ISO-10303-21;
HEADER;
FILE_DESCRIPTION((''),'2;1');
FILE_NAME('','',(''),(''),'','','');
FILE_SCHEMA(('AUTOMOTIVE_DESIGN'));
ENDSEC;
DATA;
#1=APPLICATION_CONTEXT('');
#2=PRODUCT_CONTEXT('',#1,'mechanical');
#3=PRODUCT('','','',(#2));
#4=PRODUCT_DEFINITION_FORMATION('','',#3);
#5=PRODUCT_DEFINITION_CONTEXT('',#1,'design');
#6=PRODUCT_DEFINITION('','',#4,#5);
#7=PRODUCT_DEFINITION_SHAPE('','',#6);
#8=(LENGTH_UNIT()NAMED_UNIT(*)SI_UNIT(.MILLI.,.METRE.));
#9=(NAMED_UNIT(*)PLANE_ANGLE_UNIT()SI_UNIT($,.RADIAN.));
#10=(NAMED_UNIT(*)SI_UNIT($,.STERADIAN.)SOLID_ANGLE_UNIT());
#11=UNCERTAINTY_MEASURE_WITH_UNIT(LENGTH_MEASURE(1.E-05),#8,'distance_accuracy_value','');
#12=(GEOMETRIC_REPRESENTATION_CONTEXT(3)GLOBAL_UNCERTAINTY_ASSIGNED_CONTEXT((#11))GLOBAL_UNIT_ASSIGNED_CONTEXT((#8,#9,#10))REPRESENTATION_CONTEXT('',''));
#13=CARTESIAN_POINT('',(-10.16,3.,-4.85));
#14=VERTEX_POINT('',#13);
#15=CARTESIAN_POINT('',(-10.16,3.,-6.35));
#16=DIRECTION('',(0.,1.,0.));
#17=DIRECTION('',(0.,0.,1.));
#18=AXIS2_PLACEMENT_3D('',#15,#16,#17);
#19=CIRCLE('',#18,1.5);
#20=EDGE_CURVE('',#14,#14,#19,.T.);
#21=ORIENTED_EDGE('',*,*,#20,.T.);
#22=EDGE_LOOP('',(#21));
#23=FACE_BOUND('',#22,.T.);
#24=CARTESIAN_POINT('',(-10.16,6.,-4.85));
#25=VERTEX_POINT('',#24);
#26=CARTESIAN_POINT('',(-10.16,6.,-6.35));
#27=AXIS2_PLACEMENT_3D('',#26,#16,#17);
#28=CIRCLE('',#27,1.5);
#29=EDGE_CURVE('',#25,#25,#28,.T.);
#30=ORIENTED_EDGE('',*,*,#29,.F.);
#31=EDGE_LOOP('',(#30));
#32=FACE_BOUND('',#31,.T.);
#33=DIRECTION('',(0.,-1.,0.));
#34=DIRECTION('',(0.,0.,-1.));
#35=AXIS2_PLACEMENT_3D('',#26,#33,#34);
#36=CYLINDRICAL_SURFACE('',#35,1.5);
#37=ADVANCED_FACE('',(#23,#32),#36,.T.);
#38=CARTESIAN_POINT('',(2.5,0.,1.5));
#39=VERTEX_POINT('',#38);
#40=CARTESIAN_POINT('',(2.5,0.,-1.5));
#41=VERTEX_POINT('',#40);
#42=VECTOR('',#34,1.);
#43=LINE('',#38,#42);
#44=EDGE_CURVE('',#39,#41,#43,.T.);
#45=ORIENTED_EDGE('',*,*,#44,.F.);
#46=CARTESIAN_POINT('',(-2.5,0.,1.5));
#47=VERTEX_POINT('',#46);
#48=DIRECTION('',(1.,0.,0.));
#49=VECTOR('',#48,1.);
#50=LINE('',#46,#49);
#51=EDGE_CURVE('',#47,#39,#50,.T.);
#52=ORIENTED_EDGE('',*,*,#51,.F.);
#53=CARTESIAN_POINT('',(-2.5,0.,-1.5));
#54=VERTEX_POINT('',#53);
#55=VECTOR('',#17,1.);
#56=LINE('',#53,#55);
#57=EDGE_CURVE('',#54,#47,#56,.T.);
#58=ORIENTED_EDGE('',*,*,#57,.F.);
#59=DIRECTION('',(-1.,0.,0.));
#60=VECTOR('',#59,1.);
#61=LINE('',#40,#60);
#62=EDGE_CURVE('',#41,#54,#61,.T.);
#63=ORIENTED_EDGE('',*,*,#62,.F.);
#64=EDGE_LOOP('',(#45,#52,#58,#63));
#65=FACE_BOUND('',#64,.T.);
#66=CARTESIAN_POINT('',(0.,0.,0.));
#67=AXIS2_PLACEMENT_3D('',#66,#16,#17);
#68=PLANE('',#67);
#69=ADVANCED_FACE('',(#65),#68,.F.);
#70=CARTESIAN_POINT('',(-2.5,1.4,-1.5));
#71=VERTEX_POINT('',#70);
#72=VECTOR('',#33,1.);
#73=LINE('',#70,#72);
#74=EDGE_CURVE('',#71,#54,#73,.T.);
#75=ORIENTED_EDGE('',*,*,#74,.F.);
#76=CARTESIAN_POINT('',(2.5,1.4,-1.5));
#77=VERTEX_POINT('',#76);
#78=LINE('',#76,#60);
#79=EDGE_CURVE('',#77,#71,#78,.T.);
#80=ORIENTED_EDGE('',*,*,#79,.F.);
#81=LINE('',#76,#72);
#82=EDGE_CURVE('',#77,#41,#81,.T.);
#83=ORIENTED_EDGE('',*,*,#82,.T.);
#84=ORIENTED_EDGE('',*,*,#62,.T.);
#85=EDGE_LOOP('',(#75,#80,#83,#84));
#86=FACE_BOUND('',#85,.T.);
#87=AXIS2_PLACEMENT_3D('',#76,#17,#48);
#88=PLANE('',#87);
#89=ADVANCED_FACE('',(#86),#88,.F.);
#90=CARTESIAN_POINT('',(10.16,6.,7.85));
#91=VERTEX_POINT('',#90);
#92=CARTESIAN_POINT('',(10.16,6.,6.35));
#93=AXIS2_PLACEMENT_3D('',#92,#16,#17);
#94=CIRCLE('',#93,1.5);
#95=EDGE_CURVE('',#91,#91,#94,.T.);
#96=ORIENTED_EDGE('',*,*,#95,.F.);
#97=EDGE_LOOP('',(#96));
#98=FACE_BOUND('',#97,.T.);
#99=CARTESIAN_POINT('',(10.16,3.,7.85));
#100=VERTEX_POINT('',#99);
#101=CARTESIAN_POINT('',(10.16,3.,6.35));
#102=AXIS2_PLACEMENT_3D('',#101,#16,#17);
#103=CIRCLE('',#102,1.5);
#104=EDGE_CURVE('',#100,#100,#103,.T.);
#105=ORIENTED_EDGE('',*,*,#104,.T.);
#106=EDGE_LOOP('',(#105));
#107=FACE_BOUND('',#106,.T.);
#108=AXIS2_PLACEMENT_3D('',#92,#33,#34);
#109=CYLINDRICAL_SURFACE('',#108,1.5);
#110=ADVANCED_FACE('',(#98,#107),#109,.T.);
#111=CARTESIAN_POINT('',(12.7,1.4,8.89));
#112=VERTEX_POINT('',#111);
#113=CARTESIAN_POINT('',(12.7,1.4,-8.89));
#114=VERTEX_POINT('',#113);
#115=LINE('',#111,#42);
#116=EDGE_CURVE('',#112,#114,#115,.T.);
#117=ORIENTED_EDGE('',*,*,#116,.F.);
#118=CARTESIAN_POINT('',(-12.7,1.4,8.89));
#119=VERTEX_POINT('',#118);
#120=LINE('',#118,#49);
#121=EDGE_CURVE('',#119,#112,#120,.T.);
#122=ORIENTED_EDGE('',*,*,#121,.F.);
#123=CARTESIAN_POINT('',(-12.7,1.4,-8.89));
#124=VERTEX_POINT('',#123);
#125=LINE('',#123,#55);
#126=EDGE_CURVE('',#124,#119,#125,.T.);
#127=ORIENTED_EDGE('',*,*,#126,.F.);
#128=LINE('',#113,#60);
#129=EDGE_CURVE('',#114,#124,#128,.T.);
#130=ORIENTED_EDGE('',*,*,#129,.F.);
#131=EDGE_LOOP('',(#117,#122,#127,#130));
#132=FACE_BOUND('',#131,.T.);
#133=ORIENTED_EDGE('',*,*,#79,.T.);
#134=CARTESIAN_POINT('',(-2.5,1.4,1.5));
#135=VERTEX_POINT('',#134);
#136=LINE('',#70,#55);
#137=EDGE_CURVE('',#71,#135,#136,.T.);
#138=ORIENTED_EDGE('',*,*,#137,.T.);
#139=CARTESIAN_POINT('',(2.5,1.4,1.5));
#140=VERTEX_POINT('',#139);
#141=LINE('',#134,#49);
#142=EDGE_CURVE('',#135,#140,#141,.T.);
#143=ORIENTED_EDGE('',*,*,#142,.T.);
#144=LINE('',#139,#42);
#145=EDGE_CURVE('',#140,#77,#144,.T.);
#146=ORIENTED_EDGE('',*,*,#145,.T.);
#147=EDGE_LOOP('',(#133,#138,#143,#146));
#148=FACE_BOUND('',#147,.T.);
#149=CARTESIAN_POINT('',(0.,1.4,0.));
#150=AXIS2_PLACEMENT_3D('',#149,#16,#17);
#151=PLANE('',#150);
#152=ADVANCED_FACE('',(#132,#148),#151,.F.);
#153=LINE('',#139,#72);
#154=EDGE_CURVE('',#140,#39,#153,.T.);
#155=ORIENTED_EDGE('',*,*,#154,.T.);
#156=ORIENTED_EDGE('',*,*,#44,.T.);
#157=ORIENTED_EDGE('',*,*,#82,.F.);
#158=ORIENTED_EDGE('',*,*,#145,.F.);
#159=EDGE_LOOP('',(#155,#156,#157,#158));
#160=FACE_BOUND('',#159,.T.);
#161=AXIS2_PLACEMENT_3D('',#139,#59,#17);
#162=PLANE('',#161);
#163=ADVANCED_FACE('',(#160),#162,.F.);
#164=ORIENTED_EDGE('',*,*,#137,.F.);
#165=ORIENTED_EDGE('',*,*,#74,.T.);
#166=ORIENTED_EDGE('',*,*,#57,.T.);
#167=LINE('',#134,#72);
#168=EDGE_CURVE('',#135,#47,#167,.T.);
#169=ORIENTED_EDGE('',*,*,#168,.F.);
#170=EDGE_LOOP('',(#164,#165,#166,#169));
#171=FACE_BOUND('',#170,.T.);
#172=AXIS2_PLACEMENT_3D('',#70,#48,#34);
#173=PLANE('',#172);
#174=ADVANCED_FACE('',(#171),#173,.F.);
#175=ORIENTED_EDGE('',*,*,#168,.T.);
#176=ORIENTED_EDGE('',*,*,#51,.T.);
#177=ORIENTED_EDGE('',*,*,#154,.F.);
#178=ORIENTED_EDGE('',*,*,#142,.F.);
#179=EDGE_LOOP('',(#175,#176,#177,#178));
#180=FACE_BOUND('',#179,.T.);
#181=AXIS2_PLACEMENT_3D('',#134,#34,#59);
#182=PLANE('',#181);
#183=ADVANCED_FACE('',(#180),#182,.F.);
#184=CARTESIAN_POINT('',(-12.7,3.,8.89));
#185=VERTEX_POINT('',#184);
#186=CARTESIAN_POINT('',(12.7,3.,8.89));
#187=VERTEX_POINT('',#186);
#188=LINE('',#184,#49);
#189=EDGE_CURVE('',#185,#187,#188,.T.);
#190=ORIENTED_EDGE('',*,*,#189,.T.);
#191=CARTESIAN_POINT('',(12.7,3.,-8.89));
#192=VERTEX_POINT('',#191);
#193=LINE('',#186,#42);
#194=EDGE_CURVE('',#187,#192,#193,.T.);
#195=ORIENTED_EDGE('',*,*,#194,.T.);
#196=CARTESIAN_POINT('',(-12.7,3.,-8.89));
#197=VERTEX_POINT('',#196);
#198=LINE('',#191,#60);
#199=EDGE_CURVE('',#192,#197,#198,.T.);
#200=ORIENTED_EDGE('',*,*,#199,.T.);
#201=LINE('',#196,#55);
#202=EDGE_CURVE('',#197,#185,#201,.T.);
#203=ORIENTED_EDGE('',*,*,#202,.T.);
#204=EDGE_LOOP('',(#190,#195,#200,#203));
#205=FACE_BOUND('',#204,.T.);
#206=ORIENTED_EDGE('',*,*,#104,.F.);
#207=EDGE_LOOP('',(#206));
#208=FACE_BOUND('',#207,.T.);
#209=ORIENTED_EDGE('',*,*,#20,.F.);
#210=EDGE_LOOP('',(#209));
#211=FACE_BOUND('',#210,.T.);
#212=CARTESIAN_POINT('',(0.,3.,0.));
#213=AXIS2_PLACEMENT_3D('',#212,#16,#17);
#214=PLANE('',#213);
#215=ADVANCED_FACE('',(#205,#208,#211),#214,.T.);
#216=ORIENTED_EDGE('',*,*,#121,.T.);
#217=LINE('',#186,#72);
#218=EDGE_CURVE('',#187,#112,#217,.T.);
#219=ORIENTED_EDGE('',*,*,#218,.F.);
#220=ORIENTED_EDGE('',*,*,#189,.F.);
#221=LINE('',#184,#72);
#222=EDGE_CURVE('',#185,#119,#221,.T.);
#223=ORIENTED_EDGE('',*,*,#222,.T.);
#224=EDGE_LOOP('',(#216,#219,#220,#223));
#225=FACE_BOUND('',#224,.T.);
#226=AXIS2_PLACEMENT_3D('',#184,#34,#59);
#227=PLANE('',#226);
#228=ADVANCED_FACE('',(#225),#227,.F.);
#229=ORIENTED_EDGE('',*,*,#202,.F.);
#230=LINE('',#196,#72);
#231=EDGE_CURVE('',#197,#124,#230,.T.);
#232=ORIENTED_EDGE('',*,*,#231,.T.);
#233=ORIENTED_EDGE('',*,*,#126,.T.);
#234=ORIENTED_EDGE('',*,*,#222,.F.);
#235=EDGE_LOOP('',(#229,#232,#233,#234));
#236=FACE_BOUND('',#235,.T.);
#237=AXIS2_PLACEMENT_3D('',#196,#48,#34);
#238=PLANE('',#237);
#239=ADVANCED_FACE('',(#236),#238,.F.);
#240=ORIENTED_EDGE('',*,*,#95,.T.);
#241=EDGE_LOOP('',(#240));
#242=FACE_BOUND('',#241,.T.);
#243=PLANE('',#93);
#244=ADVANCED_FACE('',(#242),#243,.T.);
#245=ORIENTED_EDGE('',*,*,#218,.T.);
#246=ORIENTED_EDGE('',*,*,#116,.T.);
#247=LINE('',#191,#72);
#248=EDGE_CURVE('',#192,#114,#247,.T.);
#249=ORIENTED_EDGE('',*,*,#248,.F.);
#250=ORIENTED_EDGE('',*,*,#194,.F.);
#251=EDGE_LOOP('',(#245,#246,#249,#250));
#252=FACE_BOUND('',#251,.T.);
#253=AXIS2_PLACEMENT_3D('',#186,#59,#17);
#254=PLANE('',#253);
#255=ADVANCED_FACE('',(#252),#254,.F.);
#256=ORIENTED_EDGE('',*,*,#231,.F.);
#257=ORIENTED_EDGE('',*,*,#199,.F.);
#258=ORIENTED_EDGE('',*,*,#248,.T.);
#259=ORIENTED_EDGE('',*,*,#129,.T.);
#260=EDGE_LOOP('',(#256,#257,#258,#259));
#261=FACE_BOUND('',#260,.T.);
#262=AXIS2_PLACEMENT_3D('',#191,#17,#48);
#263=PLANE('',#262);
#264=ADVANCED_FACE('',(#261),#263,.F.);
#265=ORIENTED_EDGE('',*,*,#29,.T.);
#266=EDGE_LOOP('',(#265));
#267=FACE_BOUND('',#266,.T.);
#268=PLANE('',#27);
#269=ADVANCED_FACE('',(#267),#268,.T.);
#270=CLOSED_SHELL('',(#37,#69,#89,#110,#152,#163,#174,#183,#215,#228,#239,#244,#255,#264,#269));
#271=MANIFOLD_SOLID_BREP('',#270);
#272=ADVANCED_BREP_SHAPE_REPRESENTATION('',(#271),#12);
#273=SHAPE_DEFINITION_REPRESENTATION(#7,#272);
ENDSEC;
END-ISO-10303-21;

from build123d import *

# Parameters (mm, degrees)
P01_STANDOFF_START      = 3
SK_P01_STANDOFF_R       = 1.5
P01_STANDOFF_DEPTH      = 3
P02_STANDOFF_START      = 3
SK_P02_STANDOFF_R       = 1.5
P02_STANDOFF_DEPTH      = 3
P03_VL53L4CDBOARD_START = 1.4
SK_P03_VL53L4CDBOARD_W  = 25.4
SK_P03_VL53L4CDBOARD_H  = 17.78
P03_VL53L4CDBOARD_DEPTH = 1.6
SK_P04_TOFSENSOR_W      = 5
SK_P04_TOFSENSOR_H      = 3
P04_TOFSENSOR_DEPTH     = 1.4


with BuildPart() as part:
    # SK_P01_Standoff → P01_Standoff (new body)
    with BuildSketch(Plane(origin=(0, 0, 0), x_dir=(1, 0, 0), z_dir=(0, 1, 0)).offset(P01_STANDOFF_START)):
        with Locations(Location((-10.16, 6.35, 0), (0, 0, 270))):
            Circle(SK_P01_STANDOFF_R)
    extrude(amount=P01_STANDOFF_DEPTH)



with BuildPart() as body_2:
    # SK_P02_Standoff → P02_Standoff (new body)
    with BuildSketch(Plane(origin=(0, 0, 0), x_dir=(1, 0, 0), z_dir=(0, 1, 0)).offset(P02_STANDOFF_START)):
        with Locations(Location((10.16, -6.35, 0), (0, 0, 270))):
            Circle(SK_P02_STANDOFF_R)
    extrude(amount=P02_STANDOFF_DEPTH)


with BuildPart() as part_1:
    add(part.part)

    add(body_2.part)  # P03_VL53L4CDboard merges body 2
    # SK_P03_VL53L4CDboard → P03_VL53L4CDboard (add)
    with BuildSketch(Plane(origin=(0, 0, 0), x_dir=(1, 0, 0), z_dir=(0, 1, 0)).offset(P03_VL53L4CDBOARD_START)):
        Rectangle(SK_P03_VL53L4CDBOARD_W, SK_P03_VL53L4CDBOARD_H)
    extrude(amount=P03_VL53L4CDBOARD_DEPTH)

    # SK_P04_ToFsensor → P04_ToFsensor (add)
    with BuildSketch(Plane(origin=(0, 0, 0), x_dir=(1, 0, 0), z_dir=(0, 1, 0))):
        Rectangle(SK_P04_TOFSENSOR_W, SK_P04_TOFSENSOR_H)
    extrude(amount=P04_TOFSENSOR_DEPTH)


solid = part_1.part
